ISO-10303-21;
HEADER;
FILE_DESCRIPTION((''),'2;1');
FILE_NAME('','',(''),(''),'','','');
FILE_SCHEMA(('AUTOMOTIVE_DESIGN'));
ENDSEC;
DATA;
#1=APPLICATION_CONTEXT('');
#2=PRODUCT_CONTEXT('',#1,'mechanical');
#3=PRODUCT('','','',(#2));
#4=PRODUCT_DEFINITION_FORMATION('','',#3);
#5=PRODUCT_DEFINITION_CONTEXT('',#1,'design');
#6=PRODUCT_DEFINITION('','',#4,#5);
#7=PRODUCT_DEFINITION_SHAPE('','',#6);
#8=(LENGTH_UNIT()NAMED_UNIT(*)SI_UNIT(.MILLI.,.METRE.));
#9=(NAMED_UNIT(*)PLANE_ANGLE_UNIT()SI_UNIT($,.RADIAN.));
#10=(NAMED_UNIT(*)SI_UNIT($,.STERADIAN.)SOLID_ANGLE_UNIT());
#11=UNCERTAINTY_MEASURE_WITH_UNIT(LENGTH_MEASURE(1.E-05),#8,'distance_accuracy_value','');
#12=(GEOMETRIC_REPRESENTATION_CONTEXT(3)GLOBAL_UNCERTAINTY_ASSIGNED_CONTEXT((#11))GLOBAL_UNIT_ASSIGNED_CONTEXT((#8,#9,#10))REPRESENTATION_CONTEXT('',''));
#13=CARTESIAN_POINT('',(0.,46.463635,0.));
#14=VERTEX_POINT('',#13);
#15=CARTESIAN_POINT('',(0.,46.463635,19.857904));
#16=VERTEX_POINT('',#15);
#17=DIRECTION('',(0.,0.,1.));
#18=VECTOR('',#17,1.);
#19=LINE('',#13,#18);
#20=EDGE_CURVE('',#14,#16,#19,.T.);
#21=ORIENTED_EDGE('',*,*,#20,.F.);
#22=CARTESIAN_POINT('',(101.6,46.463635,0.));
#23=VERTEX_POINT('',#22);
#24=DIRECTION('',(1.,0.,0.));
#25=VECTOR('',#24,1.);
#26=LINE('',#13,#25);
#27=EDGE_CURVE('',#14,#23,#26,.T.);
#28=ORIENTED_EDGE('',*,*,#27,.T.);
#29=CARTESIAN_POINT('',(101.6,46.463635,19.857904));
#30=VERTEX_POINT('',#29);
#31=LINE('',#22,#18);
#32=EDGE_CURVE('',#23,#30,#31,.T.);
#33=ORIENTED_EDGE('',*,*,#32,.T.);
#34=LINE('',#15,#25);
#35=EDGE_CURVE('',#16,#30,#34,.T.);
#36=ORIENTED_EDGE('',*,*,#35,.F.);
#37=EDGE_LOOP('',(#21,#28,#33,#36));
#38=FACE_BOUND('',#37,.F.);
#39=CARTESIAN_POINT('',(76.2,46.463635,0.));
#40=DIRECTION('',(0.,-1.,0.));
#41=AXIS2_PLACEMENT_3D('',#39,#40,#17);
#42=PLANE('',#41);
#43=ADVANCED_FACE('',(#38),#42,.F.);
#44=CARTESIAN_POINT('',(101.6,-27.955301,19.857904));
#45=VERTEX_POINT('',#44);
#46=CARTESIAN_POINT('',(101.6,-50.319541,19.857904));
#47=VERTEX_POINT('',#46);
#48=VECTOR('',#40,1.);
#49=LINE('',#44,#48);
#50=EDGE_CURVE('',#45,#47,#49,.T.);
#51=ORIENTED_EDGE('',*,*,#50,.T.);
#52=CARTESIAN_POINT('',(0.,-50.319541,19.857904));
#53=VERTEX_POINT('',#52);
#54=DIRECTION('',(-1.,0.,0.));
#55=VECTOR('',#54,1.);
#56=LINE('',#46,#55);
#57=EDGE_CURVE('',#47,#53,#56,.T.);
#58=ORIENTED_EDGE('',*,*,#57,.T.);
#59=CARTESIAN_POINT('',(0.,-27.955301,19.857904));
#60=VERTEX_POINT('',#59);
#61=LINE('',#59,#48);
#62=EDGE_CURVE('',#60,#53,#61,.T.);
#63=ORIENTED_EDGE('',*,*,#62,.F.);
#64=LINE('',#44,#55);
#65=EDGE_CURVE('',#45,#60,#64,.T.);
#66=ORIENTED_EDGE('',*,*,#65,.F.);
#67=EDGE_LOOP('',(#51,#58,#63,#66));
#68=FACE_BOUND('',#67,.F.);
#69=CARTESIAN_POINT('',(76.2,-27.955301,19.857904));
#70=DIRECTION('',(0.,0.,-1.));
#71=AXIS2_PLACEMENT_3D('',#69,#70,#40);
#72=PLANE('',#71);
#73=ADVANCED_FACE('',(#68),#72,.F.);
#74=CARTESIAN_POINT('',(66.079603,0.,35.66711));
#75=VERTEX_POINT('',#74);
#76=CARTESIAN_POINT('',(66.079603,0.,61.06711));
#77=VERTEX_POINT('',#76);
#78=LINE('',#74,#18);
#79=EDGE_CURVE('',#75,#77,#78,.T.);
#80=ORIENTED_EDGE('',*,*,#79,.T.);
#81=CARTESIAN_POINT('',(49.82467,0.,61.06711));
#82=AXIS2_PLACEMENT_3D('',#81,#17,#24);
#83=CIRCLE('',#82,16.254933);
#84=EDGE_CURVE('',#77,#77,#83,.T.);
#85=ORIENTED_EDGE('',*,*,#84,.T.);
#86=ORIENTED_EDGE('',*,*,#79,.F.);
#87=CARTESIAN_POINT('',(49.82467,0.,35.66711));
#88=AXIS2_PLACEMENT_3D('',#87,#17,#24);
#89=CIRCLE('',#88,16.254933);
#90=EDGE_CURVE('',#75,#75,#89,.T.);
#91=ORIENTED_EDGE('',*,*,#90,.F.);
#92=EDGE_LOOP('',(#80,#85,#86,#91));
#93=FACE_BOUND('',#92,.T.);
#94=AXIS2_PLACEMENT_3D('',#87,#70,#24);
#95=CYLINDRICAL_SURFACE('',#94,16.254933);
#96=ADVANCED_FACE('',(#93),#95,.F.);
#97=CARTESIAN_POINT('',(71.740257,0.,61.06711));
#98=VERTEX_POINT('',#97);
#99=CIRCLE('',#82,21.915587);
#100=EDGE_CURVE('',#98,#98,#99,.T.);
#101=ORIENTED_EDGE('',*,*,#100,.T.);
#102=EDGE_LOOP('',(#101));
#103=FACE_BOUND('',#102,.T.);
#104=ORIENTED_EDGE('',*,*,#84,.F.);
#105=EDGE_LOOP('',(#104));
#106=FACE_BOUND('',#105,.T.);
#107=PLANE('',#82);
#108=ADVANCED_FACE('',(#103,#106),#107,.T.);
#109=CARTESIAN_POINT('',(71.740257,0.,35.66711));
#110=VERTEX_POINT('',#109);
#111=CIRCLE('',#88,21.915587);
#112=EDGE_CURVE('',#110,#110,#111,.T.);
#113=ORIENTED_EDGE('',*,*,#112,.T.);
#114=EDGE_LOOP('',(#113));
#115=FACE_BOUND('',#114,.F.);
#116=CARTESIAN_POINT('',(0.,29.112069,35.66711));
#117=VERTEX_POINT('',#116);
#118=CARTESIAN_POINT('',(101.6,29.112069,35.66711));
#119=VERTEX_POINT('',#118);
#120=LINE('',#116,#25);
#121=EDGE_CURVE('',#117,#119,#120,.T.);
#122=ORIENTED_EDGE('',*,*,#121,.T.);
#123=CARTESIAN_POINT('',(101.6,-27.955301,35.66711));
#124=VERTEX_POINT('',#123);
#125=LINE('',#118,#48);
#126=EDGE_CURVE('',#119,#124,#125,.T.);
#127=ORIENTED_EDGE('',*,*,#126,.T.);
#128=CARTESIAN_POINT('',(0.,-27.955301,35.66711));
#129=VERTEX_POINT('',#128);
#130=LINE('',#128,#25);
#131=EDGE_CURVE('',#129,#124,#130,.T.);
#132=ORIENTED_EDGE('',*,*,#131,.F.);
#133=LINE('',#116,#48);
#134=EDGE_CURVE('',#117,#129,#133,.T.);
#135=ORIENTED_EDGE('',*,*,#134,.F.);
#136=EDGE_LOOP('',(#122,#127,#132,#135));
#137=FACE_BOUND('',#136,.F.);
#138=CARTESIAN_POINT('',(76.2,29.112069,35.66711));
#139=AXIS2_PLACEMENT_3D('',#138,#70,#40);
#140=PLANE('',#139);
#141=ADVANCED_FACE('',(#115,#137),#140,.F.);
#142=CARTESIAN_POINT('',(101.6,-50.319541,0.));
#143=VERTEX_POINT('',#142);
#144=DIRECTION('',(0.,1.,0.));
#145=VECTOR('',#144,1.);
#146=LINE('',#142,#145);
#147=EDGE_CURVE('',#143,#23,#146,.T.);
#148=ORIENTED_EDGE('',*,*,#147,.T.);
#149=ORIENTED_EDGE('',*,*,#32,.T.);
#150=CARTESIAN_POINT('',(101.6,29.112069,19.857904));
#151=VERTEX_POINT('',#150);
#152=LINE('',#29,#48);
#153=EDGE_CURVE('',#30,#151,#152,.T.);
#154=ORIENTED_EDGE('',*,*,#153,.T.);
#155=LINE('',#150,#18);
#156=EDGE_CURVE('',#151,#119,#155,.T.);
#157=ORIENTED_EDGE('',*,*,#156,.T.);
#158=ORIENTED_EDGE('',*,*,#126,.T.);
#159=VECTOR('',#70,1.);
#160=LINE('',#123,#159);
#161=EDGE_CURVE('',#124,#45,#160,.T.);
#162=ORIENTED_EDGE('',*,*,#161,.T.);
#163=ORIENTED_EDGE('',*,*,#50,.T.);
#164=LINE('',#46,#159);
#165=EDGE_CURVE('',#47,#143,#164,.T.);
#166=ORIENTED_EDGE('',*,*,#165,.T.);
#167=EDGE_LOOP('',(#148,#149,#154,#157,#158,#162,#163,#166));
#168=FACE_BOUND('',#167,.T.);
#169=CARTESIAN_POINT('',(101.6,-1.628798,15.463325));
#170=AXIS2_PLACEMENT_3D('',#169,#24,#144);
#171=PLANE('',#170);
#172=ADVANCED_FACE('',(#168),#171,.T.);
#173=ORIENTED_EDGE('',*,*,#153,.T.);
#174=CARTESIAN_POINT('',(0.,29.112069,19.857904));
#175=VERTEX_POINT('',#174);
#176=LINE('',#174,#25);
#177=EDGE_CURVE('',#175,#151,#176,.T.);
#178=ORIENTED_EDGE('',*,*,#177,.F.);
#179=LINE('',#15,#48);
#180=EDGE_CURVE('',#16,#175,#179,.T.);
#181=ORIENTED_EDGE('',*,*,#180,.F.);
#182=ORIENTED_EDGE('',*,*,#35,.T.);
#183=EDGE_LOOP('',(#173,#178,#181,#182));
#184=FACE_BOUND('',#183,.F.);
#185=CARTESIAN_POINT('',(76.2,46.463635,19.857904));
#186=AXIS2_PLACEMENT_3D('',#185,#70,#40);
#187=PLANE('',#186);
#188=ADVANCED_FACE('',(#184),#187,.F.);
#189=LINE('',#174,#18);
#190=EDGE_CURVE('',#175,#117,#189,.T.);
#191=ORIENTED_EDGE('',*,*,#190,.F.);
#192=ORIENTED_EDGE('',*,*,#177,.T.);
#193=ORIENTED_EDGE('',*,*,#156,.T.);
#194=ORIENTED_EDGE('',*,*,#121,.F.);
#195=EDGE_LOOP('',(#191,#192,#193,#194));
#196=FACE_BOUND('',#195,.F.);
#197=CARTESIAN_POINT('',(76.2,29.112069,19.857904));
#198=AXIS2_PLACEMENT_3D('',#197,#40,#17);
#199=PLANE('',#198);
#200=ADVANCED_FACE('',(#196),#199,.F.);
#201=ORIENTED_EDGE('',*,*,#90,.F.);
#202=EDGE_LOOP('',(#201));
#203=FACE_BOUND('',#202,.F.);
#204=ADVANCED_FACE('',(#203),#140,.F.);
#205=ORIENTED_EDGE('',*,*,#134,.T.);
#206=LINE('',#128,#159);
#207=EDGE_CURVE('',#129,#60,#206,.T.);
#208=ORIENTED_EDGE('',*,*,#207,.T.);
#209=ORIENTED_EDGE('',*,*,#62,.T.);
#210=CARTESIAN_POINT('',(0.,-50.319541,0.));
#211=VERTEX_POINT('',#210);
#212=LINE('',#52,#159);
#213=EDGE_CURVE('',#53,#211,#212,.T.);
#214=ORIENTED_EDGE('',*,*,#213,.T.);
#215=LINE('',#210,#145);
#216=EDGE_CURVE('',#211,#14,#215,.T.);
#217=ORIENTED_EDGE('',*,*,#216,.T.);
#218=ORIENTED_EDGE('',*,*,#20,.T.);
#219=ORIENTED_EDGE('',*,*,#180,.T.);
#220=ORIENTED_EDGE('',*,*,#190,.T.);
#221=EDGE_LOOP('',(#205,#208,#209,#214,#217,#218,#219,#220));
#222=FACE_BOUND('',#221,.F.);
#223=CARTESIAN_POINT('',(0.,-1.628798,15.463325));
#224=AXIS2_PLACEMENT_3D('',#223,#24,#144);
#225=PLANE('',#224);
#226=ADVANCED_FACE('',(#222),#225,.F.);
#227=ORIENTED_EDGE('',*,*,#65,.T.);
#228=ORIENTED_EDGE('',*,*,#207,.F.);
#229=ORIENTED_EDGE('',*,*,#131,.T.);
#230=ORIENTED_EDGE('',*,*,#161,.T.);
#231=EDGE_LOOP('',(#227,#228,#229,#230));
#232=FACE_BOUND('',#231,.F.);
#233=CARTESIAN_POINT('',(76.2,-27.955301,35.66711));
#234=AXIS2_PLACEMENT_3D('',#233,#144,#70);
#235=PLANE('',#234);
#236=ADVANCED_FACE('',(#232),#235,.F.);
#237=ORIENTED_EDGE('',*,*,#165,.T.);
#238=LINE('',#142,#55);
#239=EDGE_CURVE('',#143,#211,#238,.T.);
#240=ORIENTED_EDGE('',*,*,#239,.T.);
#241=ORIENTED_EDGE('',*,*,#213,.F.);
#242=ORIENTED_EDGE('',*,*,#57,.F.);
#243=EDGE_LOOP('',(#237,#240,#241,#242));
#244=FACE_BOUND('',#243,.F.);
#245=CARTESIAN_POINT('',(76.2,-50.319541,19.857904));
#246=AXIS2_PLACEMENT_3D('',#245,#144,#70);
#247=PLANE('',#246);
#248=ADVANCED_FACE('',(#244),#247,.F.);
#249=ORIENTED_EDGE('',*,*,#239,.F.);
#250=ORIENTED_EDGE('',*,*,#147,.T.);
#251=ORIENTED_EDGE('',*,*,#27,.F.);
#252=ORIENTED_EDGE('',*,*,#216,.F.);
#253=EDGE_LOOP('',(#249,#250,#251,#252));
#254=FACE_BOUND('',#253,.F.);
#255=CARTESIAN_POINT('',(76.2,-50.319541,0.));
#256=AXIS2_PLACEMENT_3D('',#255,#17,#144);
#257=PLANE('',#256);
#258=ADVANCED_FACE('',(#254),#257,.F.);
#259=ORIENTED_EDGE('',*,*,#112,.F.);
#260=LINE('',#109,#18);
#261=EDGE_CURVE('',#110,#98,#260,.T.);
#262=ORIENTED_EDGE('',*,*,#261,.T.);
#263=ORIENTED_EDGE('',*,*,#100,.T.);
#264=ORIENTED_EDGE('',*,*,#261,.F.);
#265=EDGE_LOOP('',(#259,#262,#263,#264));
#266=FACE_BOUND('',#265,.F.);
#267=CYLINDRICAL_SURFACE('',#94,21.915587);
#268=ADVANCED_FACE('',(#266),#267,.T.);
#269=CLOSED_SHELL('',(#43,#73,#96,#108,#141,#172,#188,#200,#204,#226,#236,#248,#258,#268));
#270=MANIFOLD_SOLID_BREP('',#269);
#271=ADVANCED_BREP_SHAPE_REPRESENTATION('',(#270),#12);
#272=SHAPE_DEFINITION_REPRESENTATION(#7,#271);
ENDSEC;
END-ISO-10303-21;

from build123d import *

# Parameters (mm, degrees)
F1_DEPTH      = 25.4
F2_DEPTH      = 25.4
F3_DEPTH      = 25.4
F4_DEPTH      = 25.4
F6_R          = 21.9155867699
F6_R_2        = 16.2549330377
F7_DEPTH      = 25.4
F7_DEPTH_BACK = 25.4


with BuildPart() as f1:
    # F0 (on Right) → F1 (new body)
    with BuildSketch(Plane.YZ):
        Polygon((-50.3195412457, 0), (0, 0), (46.4636348188, 0), (46.4636348188, 19.8579039425), (29.1120689362, 19.8579039425), (29.1120689362, 35.6671102345), (-27.955301106, 35.6671102345), (-27.955301106, 19.8579039425), (-50.3195412457, 19.8579039425), align=None)
    extrude(amount=F1_DEPTH)

    # F2 (add): a face of the model
    f2_faces = [f1.faces().sort_by_distance(p)[0] for p in [
        (25.4, -1.1272764722, 15.6260757274),
    ]]
    extrude(f2_faces, amount=F2_DEPTH)

    # F3 (add): a face of the model
    f3_faces = [f1.faces().sort_by_distance(p)[0] for p in [
        (50.8, -1.1272764722, 15.6260757274),
    ]]
    extrude(f3_faces, amount=F3_DEPTH)

    # F4 (add): a face of the model
    f4_faces = [f1.faces().sort_by_distance(p)[0] for p in [
        (76.2, -1.1272764722, 15.6260757274),
    ]]
    extrude(f4_faces, amount=F4_DEPTH)

    # F6 (on face) → F7 (join, two sides)
    with BuildSketch(Plane.XY.offset(35.6671102345)) as f7_sk:
        with Locations((49.8246699572, 0)):
            Circle(F6_R)
        with Locations((49.8246699572, 0)):
            Circle(F6_R_2, mode=Mode.SUBTRACT)
    extrude(amount=F7_DEPTH)
    extrude(f7_sk.sketch, amount=-F7_DEPTH_BACK)


solid = f1.part
